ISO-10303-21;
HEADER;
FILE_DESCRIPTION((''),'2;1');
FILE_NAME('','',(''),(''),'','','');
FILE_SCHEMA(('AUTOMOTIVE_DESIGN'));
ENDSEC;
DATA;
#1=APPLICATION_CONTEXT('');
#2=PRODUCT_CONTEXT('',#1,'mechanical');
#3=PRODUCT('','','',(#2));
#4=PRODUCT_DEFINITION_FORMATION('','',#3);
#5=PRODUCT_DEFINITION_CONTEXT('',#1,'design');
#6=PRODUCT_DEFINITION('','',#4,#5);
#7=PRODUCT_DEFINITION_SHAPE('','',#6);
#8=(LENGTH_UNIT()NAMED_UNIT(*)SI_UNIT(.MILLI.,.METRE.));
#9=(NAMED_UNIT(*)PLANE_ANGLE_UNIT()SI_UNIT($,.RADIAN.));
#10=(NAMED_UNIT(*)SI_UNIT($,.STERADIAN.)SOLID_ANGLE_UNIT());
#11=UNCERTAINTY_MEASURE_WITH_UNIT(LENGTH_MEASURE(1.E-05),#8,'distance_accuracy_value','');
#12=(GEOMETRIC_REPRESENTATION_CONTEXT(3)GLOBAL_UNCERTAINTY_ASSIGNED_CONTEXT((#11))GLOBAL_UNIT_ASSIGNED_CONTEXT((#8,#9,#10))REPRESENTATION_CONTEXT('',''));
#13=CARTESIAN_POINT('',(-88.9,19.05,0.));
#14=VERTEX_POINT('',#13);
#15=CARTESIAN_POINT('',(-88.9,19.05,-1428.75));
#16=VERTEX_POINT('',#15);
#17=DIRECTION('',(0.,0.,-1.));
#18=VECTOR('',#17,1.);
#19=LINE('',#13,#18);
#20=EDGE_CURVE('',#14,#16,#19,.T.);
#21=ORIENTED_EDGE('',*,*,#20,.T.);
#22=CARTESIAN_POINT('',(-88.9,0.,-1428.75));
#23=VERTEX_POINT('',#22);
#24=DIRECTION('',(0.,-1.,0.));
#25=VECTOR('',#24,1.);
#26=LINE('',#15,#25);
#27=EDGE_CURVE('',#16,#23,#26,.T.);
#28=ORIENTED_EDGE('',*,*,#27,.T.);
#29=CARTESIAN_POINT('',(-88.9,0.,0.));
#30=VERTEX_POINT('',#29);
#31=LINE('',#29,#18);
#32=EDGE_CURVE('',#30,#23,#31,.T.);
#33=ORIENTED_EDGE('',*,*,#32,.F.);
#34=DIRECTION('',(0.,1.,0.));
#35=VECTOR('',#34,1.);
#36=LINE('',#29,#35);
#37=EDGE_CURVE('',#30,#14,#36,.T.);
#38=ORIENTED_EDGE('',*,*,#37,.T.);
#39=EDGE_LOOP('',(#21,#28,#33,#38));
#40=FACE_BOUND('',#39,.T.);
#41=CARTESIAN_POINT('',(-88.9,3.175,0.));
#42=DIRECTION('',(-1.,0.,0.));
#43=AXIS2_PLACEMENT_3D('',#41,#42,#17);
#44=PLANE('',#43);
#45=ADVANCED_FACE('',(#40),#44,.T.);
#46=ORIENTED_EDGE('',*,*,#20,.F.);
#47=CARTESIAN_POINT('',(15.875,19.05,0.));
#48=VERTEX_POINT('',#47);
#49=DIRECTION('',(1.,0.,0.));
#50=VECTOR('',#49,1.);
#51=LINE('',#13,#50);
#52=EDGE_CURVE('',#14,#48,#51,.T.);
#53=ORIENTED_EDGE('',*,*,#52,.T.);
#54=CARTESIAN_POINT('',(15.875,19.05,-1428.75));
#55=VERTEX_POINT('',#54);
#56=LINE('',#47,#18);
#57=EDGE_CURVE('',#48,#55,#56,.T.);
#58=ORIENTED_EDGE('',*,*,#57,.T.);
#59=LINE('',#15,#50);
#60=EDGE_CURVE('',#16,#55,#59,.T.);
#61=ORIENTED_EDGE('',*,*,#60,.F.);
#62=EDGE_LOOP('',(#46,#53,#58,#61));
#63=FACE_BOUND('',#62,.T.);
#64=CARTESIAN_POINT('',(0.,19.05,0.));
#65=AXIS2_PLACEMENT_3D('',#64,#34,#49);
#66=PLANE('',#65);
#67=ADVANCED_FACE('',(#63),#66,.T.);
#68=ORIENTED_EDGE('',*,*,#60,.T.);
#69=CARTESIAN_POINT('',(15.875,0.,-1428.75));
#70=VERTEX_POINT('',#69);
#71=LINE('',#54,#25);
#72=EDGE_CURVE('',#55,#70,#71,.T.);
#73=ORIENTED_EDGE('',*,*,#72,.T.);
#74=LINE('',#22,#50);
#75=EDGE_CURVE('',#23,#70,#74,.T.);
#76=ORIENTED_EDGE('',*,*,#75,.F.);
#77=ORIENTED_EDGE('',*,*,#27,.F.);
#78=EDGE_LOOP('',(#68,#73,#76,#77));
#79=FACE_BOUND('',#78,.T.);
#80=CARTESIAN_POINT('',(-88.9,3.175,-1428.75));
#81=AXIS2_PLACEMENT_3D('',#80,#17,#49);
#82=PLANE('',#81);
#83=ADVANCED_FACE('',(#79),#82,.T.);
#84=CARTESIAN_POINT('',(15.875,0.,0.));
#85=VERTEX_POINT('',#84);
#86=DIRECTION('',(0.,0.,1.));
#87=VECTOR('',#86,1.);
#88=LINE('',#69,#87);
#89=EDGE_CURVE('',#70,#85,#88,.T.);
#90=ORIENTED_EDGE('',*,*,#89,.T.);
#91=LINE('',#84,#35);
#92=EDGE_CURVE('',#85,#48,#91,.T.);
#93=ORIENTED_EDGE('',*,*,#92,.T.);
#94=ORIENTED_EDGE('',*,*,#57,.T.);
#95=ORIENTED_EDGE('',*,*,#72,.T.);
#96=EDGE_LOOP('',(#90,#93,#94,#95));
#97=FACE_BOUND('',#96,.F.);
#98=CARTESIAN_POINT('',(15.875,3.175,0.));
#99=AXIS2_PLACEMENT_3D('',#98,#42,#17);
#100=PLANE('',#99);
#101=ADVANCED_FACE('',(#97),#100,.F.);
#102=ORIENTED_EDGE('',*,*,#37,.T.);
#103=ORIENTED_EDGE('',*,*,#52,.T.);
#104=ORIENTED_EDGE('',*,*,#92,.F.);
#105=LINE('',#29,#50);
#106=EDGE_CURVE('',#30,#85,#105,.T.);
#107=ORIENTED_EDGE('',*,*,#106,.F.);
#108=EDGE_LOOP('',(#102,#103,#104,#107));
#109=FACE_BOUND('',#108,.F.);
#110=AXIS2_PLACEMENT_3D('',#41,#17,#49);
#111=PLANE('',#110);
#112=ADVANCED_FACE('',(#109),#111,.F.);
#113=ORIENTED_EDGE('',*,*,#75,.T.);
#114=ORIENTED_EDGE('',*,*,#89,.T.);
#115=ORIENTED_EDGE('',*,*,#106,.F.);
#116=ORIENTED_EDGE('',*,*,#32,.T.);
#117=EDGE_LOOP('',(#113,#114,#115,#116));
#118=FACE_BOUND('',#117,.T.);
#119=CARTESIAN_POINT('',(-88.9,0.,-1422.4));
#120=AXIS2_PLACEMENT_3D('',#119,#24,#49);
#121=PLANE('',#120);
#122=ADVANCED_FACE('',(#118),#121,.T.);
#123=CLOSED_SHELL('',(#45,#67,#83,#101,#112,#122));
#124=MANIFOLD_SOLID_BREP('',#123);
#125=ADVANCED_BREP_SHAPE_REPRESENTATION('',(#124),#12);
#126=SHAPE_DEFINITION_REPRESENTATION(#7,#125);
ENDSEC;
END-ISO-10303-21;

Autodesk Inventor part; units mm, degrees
ref_plane "YZ Plane" through (0, 0, 0) normal (1, 0, 0) x (0, 1, 0)
ref_plane "XZ Plane" through (0, 0, 0) normal (0, 1, 0) x (-1, 0, 0)
ref_plane "XY Plane" through (0, 0, 0) normal (0, 0, 1) x (1, 0, 0)
sketch "Sketch1" plane through (0, 0, 0) normal (0, 1, 0) x (-1, 0, 0)
  line L0 (0, 0) -> (88.9, 0)
  line L1 (88.9, 0) -> (88.9, -1422.4)
  line L2 (88.9, -1422.4) -> (0, -1422.4)
  line L3 (0, -1422.4) -> (0, 0)
  dimension "d0" = 88.9
  dimension "d1" = 1422.4
extrude "Extrusion1" add sketch "Sketch1" along normal blind 3.175
sketch "Sketch2" plane through (0, 0, 0) normal (1, 0, 0) x (0, 0, -1)
  line L0 (1422.4, 0) -> (0, 0) projected
  line L1 (1422.4, 0) -> (1422.4, 3.175) projected
  line L2 (0, 3.175) -> (1422.4, 3.175) projected
  line L3 (0, 0) -> (0, 3.175) projected
extrude "Extrusion2" add sketch "Sketch2" along normal blind 15.875
sketch "Sketch3" plane through (-88.9, 0, -1422.4) normal (0, 0, -1) x (-1, 0, 0)
  line L0 (0, 0) -> (-104.775, 0) projected
  line L1 (0, 0) -> (0, 3.175) projected
  line L2 (0, 3.175) -> (-104.775, 3.175) projected
  line L3 (-104.775, 0) -> (-104.775, 3.175) projected
  point P0 (-88.9, 0)
extrude "Extrusion3" add sketch "Sketch3" along normal blind 6.35
sketch "Sketch4" plane through (0, 3.175, 0) normal (0, 1, 0) x (1, 0, 0)
  line L0 (-88.9, 0) -> (15.875, 0) projected
  line L1 (15.875, 0) -> (15.875, 1428.75) projected
  line L2 (-88.9, 1428.75) -> (15.875, 1428.75) projected
  line L3 (-88.9, 0) -> (-88.9, 1428.75) projected
  point P0 (0, 0)
extrude "Extrusion4" add sketch "Sketch4" along normal blind 15.875
properties part number "56 in k wool"
